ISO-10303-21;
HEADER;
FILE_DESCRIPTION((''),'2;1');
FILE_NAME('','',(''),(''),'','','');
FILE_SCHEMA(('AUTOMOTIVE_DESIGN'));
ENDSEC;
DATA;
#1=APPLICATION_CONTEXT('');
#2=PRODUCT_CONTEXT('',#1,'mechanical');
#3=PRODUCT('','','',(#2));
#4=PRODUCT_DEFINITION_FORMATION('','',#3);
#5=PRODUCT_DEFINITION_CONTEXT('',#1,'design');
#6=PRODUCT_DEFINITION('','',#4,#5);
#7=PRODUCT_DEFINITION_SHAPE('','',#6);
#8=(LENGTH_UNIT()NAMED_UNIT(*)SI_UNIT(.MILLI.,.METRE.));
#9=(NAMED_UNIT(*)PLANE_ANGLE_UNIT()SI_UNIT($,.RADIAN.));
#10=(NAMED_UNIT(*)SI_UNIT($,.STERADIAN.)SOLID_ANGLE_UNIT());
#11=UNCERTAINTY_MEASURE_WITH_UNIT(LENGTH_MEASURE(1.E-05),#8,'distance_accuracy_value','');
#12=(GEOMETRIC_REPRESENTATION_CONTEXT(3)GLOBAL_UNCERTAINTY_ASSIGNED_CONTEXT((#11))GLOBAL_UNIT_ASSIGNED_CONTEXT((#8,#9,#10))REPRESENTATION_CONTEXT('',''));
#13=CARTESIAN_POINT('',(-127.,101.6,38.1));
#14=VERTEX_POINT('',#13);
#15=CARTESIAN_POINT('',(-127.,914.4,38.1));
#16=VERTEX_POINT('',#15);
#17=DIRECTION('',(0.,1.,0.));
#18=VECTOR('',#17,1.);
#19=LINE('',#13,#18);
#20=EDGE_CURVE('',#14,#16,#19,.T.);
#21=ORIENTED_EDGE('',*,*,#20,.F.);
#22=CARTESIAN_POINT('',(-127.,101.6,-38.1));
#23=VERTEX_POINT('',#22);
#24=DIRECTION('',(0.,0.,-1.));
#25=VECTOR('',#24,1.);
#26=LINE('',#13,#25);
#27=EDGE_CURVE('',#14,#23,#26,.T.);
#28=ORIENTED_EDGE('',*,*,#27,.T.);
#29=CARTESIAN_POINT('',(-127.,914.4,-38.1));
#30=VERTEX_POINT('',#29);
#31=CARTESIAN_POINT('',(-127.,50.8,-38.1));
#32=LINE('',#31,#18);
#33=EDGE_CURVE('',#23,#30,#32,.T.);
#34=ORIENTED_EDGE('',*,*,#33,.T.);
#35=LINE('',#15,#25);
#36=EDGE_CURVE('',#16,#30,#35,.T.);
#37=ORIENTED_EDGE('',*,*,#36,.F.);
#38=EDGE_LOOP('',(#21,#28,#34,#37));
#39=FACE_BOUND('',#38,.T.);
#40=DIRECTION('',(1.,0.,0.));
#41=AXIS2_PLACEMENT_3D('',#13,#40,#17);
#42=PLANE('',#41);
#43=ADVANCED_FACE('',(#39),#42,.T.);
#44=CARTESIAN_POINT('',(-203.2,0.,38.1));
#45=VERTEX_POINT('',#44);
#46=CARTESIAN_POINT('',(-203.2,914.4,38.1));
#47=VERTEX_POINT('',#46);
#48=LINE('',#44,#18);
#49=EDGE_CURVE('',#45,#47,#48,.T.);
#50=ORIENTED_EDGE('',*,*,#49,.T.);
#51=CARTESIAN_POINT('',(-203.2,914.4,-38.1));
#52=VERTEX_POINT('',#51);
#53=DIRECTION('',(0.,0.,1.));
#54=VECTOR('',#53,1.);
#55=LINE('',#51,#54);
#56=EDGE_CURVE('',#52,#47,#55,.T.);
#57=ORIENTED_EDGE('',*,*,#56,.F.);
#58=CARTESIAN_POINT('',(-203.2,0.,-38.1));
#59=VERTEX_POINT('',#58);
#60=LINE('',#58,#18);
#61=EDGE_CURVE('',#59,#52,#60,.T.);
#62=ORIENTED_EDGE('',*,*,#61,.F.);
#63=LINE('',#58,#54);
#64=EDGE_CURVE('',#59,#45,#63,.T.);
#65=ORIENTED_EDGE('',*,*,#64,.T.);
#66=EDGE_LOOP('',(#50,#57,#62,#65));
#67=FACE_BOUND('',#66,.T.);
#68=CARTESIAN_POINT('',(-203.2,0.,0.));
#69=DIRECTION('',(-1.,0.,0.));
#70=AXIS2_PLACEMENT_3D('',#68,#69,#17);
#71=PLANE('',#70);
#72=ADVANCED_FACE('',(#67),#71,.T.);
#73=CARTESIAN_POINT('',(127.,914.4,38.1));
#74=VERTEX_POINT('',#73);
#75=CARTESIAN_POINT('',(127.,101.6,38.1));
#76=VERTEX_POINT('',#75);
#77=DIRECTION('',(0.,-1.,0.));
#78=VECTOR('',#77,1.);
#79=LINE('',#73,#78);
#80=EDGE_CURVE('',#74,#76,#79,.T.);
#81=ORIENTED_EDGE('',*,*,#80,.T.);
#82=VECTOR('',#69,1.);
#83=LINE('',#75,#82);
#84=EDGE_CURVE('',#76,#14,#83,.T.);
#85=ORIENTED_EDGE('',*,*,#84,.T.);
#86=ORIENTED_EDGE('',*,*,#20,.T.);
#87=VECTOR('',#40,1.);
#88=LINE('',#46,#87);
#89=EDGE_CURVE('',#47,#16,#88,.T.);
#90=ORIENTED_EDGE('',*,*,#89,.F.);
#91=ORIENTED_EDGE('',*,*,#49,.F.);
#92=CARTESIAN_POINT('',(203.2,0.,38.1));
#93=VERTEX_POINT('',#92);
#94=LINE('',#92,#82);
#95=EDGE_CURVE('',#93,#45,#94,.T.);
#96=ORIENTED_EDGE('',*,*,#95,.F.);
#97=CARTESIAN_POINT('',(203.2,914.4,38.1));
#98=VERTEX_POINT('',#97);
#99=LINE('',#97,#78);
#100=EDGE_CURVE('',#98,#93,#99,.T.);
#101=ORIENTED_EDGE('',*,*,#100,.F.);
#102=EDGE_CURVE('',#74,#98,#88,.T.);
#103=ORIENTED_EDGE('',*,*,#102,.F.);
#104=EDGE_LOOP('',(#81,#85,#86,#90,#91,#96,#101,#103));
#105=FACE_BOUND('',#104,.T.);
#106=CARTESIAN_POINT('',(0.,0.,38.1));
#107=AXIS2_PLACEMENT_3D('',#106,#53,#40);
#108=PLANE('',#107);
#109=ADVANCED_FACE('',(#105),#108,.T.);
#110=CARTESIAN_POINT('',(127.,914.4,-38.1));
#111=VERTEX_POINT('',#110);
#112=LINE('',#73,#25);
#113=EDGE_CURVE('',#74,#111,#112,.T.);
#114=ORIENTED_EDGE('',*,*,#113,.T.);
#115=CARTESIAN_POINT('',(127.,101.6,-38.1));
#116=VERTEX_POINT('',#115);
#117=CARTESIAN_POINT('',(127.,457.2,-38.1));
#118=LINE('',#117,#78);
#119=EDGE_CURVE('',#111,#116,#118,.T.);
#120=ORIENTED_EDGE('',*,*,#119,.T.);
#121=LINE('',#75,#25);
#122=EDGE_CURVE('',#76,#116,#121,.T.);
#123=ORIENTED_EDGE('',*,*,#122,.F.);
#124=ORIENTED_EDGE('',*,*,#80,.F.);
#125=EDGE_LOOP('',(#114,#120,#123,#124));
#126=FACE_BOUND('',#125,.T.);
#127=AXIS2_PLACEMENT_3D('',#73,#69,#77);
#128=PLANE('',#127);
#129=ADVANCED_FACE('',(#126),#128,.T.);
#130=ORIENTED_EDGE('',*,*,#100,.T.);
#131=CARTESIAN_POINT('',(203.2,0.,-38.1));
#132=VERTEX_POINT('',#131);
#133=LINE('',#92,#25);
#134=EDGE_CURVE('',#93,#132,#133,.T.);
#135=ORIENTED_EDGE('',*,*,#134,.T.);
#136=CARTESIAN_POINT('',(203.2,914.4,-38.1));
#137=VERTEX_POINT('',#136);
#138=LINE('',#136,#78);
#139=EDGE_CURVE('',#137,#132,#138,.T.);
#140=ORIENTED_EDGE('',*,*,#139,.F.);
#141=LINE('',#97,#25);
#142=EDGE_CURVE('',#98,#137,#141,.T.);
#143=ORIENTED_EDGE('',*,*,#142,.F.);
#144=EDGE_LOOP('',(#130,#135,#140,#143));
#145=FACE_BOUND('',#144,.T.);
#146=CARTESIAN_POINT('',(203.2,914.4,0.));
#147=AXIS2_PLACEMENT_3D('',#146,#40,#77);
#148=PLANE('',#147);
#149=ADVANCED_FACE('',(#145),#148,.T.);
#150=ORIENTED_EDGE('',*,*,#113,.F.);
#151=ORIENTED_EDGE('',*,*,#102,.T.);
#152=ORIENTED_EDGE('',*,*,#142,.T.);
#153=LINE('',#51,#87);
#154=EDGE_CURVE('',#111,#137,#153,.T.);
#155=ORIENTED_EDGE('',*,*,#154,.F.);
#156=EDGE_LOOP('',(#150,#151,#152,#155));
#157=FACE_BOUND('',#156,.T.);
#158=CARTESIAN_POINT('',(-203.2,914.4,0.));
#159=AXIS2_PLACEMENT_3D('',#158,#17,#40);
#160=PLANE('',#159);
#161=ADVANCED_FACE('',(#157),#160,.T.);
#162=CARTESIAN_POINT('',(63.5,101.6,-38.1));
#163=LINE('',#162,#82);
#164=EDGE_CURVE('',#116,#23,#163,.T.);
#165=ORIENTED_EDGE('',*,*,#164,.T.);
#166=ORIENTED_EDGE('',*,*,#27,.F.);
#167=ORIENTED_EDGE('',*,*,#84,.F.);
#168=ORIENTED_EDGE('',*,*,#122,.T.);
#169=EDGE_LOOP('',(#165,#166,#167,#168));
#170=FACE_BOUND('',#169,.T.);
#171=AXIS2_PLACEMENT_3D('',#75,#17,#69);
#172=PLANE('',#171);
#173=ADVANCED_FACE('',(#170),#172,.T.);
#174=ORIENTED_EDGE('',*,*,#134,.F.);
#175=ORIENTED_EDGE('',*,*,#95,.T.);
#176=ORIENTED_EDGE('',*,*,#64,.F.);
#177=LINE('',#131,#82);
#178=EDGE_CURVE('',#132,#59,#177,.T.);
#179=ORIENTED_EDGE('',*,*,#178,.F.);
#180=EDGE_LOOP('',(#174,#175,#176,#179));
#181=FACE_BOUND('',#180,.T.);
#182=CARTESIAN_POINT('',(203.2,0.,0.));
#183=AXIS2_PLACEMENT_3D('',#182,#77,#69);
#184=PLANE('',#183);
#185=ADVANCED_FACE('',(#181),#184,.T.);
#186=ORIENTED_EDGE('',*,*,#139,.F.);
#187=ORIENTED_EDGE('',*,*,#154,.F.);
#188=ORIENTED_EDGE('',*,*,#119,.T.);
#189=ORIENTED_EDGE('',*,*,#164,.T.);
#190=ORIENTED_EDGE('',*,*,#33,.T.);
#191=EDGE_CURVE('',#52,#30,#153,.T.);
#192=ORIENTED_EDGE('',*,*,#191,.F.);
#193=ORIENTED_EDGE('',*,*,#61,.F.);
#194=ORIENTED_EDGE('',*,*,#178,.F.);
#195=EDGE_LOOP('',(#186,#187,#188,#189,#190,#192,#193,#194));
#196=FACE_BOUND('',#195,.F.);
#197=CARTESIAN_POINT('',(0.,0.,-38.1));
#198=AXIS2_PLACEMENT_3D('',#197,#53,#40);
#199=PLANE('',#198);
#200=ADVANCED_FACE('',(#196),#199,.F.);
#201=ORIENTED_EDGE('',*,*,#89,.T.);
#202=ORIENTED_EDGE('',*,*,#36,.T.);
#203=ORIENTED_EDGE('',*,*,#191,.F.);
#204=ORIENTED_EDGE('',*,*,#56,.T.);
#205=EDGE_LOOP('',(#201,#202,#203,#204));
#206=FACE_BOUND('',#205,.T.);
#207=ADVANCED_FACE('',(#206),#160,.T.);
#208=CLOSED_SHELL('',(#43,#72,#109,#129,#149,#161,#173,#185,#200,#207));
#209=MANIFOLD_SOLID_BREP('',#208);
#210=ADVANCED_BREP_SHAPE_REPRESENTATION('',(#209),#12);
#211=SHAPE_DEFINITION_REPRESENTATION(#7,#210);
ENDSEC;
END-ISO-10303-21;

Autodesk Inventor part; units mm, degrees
ref_plane "YZ Plane" through (0, 0, 0) normal (1, 0, 0) x (0, 1, 0)
ref_plane "XZ Plane" through (0, 0, 0) normal (0, 1, 0) x (-1, 0, 0)
ref_plane "XY Plane" through (0, 0, 0) normal (0, 0, 1) x (1, 0, 0)
sketch "Sketch1" plane through (0, 0, 0) normal (0, 0, 1) x (1, 0, 0)
  line L0 (-203.2, 914.4) -> (203.2, 914.4)
  line L1 (203.2, 914.4) -> (203.2, 0)
  line L2 (203.2, 0) -> (-203.2, 0)
  line L3 (-203.2, 0) -> (-203.2, 914.4)
  point P0 (0, 0)
  point P1 (0, 0)
  dimension "d0" = 406.4
  dimension "d1" = 914.4
extrude "Extrusion1" add sketch "Sketch1" along normal mid plane 76.2
sketch "Sketch2" plane through (0, 0, 38.1) normal (0, 0, 1) x (1, 0, 0)
  line L0 (-203.2, 0) -> (-203.2, 914.4) construction
  line L1 (-203.2, 914.4) -> (203.2, 914.4) construction
  line L2 (203.2, 914.4) -> (203.2, 0) construction
  line L3 (203.2, 0) -> (-203.2, 0) construction
  line L4 (-127, 914.4) -> (127, 914.4)
  line L5 (127, 914.4) -> (127, 101.6)
  line L6 (127, 101.6) -> (-127, 101.6)
  line L7 (-127, 101.6) -> (-127, 914.4)
  point P0 (0, 0)
  dimension "d4" = 101.6
  dimension "d5" = 76.2
  dimension "d6" = 76.2
extrude "Extrusion2" cut sketch "Sketch2" against normal through all
equation "\"d6\" = d5"
properties part number "MU-002 elevator" material "Aluminum 6061"
